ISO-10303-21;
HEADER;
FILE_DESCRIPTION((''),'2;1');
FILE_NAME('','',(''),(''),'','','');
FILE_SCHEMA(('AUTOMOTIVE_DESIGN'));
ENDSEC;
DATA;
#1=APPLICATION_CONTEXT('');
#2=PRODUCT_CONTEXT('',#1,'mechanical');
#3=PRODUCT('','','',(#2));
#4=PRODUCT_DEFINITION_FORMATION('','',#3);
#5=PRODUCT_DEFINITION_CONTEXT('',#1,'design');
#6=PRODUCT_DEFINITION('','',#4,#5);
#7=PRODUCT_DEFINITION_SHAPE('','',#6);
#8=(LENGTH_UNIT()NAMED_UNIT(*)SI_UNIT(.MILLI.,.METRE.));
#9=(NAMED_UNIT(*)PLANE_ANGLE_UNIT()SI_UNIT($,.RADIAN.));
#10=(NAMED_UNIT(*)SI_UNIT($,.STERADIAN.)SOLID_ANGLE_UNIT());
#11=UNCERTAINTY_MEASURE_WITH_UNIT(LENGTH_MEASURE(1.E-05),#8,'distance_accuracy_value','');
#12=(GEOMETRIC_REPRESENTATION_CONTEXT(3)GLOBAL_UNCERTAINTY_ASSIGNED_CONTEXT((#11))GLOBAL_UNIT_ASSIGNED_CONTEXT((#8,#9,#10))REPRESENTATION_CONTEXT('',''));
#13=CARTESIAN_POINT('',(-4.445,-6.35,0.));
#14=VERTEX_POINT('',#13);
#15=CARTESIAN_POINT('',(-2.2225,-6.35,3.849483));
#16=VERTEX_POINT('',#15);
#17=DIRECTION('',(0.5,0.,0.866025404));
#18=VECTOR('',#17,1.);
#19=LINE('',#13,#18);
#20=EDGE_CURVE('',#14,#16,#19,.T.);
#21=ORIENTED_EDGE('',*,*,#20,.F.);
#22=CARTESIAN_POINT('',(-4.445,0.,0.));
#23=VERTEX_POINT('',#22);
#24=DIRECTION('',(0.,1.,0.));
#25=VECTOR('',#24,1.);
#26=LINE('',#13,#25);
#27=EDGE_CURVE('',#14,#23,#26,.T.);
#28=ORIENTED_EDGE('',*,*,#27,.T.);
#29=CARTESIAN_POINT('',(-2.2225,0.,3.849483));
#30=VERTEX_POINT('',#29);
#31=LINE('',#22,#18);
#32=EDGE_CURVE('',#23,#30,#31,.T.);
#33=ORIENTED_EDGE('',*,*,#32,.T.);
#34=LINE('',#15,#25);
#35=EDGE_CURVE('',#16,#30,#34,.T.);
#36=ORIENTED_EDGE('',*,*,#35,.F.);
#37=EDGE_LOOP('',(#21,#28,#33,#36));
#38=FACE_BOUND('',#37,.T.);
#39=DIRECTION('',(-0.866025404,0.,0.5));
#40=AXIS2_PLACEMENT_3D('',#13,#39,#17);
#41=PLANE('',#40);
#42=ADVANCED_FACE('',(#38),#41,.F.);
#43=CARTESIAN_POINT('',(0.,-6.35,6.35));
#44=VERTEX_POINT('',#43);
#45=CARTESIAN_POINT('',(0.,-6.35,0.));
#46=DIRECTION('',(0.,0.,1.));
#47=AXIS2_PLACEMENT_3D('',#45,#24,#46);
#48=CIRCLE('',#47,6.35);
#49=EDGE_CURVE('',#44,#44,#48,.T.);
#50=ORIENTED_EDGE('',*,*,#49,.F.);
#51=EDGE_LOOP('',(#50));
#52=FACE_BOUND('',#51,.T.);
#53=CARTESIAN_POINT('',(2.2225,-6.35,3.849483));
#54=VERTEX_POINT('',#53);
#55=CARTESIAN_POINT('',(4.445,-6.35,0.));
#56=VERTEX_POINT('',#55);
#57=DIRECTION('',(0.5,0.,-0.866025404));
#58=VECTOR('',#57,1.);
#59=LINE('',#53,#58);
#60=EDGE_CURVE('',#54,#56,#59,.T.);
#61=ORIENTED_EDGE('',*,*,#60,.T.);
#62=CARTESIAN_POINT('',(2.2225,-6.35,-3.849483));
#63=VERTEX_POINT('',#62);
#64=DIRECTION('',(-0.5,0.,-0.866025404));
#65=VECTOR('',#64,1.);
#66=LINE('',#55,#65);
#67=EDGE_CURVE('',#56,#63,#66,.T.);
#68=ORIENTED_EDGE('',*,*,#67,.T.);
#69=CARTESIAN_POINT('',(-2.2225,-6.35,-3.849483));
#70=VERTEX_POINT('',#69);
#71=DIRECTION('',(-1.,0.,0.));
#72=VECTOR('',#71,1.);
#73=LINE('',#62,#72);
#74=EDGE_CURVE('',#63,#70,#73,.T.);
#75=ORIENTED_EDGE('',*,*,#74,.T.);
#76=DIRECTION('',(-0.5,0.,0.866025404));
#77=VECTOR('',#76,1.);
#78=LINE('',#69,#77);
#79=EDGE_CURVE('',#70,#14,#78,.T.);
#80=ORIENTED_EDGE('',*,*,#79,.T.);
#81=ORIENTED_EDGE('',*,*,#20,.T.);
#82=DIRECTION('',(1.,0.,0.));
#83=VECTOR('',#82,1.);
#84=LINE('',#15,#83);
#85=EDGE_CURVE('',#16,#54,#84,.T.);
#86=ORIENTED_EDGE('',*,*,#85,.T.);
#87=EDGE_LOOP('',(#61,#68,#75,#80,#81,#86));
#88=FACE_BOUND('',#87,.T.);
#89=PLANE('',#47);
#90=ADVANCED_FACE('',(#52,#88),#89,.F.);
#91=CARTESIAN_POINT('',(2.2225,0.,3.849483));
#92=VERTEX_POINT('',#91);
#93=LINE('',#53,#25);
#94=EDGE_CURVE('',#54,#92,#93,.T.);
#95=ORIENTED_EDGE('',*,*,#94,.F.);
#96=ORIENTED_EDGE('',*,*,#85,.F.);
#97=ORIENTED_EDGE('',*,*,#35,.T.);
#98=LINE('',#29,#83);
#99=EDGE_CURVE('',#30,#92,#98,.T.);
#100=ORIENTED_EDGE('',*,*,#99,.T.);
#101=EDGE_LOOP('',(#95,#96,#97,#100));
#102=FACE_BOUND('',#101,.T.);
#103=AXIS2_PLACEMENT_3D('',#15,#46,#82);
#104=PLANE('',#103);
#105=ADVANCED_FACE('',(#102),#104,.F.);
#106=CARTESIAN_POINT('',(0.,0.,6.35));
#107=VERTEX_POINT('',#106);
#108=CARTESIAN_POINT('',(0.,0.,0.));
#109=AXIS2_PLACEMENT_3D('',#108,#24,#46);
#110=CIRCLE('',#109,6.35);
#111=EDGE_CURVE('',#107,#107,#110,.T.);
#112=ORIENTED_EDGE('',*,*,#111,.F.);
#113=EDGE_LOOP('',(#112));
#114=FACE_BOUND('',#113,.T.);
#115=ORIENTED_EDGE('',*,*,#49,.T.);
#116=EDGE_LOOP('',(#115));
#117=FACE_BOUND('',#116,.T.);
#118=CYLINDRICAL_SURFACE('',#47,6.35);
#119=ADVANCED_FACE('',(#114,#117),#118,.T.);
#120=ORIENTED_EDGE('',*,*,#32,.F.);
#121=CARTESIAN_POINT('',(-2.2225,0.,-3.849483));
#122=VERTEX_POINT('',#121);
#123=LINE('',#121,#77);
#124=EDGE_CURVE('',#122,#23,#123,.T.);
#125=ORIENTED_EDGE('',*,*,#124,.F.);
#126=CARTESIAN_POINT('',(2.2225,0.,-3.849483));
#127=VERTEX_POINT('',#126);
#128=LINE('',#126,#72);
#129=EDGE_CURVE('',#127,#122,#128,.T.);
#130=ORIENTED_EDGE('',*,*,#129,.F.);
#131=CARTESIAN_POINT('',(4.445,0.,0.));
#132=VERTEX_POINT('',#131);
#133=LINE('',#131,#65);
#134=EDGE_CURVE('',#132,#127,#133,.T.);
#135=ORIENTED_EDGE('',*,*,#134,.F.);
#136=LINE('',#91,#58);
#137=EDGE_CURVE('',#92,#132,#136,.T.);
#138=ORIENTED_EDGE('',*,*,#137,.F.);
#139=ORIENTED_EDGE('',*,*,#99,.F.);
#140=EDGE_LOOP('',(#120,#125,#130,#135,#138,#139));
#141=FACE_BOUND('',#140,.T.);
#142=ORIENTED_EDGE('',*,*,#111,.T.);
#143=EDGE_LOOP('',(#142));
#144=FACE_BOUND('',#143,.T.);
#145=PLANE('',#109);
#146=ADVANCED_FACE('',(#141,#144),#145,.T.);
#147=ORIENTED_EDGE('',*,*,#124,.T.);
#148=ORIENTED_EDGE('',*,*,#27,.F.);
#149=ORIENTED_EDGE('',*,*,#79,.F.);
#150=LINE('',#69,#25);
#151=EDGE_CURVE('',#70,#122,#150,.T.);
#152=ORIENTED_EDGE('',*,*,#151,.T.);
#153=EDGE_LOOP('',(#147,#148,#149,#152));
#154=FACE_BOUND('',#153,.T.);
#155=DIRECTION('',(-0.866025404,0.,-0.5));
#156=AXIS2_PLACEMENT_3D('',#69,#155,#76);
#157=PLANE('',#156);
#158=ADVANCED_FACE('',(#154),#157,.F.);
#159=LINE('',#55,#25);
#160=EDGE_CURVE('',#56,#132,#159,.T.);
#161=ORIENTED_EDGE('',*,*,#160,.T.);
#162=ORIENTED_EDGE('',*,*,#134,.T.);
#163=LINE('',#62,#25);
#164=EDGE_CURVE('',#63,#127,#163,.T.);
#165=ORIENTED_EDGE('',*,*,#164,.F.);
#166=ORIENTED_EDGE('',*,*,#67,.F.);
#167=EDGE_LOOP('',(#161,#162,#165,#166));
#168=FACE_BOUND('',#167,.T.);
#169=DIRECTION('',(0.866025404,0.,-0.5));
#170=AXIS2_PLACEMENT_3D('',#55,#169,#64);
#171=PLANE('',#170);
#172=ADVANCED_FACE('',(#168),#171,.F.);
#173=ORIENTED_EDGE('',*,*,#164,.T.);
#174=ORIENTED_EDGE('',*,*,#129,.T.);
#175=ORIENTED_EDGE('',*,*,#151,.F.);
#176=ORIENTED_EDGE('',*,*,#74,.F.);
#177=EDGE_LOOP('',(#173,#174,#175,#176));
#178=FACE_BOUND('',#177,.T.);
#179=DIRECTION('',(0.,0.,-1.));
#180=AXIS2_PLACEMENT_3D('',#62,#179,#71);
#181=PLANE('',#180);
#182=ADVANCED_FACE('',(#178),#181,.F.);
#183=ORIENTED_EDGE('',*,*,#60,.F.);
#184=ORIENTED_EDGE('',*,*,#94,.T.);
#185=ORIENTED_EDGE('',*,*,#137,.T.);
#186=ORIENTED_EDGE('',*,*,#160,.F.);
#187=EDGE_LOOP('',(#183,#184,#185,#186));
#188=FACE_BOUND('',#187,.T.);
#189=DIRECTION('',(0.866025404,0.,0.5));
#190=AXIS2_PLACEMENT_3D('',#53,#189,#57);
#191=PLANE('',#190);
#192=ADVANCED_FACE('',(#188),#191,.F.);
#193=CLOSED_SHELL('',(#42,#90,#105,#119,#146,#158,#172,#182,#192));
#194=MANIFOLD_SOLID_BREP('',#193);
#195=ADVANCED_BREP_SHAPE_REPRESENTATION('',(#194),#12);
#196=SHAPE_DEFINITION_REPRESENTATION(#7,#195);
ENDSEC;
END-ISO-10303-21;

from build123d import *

# Parameters (mm, degrees)
SKETCH1_R           = 6.35
BOSS_EXTRUDE1_DEPTH = 6.35
CUT_EXTRUDE1_DEPTH  = 11.998522628


with BuildPart() as part:
    # Sketch1 → Boss-Extrude1 (new body)
    with BuildSketch(Plane(origin=(0, 0, 0), x_dir=(1, 0, 0), z_dir=(0, 1, 0))):
        with Locations(Location((0, 0, 0), (0, 0, 270))):
            Circle(SKETCH1_R)
    extrude(amount=-BOSS_EXTRUDE1_DEPTH)

    # Sketch2 → Cut-Extrude1 (cut, through all)
    with BuildSketch(Plane(origin=(0, 0, 0), x_dir=(1, 0, 0), z_dir=(0, 1, 0))):
        Polygon((2.2225, 3.84948292), (-2.2225, 3.84948292), (-4.445, 0), (-2.2225, -3.84948292), (2.2225, -3.84948292), (4.445, 0), align=None)
    extrude(amount=-CUT_EXTRUDE1_DEPTH, mode=Mode.SUBTRACT)


solid = part.part
